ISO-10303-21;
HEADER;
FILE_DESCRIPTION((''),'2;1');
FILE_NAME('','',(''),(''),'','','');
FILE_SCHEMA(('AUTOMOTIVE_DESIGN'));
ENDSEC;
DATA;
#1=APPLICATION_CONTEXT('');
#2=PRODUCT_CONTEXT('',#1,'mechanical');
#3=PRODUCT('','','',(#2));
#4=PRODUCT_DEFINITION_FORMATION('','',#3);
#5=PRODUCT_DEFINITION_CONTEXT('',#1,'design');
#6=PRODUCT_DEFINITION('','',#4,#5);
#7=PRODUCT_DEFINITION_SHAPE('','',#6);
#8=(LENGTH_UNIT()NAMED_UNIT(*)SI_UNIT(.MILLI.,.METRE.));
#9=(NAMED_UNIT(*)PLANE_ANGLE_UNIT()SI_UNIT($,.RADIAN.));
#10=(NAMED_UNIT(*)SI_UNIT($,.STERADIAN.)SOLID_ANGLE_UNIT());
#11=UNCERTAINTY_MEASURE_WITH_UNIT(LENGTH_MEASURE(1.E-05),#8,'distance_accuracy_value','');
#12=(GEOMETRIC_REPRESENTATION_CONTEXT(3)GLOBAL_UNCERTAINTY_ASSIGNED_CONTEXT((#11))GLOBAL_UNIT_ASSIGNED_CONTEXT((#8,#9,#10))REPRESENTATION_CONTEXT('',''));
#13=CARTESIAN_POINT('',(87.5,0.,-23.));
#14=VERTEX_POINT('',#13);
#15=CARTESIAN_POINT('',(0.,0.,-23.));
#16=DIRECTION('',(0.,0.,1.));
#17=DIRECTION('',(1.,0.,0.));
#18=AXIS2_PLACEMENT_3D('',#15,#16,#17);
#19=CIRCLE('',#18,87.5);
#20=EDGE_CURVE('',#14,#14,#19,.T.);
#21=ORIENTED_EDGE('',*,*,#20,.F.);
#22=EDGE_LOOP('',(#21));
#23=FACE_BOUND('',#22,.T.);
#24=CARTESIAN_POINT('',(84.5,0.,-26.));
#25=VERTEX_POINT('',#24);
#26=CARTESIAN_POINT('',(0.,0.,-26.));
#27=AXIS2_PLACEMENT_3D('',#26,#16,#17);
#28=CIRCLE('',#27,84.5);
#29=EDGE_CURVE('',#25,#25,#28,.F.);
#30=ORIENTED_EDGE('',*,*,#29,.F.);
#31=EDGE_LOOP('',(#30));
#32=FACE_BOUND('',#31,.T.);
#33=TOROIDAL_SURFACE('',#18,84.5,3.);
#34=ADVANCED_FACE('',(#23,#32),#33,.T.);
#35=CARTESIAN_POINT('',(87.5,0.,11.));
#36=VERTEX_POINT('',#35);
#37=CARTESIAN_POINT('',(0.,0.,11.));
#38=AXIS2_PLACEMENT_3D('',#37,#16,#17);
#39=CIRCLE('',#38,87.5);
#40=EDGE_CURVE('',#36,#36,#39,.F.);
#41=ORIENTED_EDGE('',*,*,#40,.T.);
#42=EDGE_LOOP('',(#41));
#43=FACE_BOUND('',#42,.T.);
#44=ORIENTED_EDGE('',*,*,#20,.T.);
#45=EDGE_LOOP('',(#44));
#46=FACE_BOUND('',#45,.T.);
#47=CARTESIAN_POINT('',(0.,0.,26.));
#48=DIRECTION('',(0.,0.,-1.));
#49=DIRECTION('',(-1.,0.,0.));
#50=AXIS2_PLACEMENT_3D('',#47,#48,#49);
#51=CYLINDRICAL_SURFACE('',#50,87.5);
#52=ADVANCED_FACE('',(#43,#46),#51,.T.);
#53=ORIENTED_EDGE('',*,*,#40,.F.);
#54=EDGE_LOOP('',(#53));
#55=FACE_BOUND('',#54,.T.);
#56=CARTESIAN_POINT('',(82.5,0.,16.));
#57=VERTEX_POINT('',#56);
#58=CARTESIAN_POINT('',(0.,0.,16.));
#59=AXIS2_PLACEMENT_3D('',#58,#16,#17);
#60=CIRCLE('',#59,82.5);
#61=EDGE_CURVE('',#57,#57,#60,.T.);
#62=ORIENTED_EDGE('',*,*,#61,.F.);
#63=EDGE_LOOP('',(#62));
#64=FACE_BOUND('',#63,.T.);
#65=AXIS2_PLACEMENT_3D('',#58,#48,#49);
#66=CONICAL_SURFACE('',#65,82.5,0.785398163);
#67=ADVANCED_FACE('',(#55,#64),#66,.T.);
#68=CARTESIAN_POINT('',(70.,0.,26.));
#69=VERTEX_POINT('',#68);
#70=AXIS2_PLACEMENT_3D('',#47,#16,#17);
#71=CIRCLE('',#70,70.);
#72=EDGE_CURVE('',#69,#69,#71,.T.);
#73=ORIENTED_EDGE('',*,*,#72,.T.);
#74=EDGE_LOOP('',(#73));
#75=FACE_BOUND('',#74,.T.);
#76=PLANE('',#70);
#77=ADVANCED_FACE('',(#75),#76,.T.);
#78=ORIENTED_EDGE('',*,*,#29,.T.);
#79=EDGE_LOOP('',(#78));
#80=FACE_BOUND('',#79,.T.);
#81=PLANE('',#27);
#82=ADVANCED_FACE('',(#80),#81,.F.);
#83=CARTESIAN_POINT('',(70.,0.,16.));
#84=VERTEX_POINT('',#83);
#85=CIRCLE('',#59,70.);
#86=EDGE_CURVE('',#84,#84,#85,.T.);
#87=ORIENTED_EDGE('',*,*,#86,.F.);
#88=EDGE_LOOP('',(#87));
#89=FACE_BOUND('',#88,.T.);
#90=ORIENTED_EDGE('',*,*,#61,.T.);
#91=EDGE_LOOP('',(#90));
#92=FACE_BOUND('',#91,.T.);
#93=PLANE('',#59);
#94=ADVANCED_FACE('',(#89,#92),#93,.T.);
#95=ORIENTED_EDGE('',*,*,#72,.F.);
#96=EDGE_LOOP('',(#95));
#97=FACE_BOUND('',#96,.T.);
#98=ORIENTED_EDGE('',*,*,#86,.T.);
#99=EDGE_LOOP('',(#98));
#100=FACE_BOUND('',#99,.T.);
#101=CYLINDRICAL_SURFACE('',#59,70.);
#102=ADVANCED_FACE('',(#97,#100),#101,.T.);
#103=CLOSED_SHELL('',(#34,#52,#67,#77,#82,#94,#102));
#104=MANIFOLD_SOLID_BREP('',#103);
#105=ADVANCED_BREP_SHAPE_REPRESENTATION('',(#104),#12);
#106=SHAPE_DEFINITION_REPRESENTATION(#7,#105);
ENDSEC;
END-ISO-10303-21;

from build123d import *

# Parameters (mm, degrees)
SKETCH1_R           = 87.5
BOSS_EXTRUDE1_DEPTH = 26
SKETCH2_R           = 107.528589123
SKETCH2_R_2         = 70
CUT_EXTRUDE1_DEPTH  = 10
CHAMFER1_SIZE       = 5
FILLET1_R           = 3


with BuildPart() as part:
    # Sketch1 → Boss-Extrude1 (new body, symmetric)
    with BuildSketch(Plane.XY):
        Circle(SKETCH1_R)
    extrude(amount=BOSS_EXTRUDE1_DEPTH, both=True)

    # Sketch2 → Cut-Extrude1 (cut)
    with BuildSketch(Plane.XY.offset(26)):
        Circle(SKETCH2_R)
        Circle(SKETCH2_R_2, mode=Mode.SUBTRACT)
    extrude(amount=-CUT_EXTRUDE1_DEPTH, mode=Mode.SUBTRACT)

    # Chamfer1
    chamfer1_edges = [part.edges().sort_by_distance(p)[0] for p in [
        (-87.5, 0, 16),
    ]]
    chamfer(chamfer1_edges, length=CHAMFER1_SIZE)

    # Fillet1
    fillet1_edges = [part.edges().sort_by_distance(p)[0] for p in [
        (-87.5, 0, -26),
    ]]
    fillet(fillet1_edges, radius=FILLET1_R)


solid = part.part
